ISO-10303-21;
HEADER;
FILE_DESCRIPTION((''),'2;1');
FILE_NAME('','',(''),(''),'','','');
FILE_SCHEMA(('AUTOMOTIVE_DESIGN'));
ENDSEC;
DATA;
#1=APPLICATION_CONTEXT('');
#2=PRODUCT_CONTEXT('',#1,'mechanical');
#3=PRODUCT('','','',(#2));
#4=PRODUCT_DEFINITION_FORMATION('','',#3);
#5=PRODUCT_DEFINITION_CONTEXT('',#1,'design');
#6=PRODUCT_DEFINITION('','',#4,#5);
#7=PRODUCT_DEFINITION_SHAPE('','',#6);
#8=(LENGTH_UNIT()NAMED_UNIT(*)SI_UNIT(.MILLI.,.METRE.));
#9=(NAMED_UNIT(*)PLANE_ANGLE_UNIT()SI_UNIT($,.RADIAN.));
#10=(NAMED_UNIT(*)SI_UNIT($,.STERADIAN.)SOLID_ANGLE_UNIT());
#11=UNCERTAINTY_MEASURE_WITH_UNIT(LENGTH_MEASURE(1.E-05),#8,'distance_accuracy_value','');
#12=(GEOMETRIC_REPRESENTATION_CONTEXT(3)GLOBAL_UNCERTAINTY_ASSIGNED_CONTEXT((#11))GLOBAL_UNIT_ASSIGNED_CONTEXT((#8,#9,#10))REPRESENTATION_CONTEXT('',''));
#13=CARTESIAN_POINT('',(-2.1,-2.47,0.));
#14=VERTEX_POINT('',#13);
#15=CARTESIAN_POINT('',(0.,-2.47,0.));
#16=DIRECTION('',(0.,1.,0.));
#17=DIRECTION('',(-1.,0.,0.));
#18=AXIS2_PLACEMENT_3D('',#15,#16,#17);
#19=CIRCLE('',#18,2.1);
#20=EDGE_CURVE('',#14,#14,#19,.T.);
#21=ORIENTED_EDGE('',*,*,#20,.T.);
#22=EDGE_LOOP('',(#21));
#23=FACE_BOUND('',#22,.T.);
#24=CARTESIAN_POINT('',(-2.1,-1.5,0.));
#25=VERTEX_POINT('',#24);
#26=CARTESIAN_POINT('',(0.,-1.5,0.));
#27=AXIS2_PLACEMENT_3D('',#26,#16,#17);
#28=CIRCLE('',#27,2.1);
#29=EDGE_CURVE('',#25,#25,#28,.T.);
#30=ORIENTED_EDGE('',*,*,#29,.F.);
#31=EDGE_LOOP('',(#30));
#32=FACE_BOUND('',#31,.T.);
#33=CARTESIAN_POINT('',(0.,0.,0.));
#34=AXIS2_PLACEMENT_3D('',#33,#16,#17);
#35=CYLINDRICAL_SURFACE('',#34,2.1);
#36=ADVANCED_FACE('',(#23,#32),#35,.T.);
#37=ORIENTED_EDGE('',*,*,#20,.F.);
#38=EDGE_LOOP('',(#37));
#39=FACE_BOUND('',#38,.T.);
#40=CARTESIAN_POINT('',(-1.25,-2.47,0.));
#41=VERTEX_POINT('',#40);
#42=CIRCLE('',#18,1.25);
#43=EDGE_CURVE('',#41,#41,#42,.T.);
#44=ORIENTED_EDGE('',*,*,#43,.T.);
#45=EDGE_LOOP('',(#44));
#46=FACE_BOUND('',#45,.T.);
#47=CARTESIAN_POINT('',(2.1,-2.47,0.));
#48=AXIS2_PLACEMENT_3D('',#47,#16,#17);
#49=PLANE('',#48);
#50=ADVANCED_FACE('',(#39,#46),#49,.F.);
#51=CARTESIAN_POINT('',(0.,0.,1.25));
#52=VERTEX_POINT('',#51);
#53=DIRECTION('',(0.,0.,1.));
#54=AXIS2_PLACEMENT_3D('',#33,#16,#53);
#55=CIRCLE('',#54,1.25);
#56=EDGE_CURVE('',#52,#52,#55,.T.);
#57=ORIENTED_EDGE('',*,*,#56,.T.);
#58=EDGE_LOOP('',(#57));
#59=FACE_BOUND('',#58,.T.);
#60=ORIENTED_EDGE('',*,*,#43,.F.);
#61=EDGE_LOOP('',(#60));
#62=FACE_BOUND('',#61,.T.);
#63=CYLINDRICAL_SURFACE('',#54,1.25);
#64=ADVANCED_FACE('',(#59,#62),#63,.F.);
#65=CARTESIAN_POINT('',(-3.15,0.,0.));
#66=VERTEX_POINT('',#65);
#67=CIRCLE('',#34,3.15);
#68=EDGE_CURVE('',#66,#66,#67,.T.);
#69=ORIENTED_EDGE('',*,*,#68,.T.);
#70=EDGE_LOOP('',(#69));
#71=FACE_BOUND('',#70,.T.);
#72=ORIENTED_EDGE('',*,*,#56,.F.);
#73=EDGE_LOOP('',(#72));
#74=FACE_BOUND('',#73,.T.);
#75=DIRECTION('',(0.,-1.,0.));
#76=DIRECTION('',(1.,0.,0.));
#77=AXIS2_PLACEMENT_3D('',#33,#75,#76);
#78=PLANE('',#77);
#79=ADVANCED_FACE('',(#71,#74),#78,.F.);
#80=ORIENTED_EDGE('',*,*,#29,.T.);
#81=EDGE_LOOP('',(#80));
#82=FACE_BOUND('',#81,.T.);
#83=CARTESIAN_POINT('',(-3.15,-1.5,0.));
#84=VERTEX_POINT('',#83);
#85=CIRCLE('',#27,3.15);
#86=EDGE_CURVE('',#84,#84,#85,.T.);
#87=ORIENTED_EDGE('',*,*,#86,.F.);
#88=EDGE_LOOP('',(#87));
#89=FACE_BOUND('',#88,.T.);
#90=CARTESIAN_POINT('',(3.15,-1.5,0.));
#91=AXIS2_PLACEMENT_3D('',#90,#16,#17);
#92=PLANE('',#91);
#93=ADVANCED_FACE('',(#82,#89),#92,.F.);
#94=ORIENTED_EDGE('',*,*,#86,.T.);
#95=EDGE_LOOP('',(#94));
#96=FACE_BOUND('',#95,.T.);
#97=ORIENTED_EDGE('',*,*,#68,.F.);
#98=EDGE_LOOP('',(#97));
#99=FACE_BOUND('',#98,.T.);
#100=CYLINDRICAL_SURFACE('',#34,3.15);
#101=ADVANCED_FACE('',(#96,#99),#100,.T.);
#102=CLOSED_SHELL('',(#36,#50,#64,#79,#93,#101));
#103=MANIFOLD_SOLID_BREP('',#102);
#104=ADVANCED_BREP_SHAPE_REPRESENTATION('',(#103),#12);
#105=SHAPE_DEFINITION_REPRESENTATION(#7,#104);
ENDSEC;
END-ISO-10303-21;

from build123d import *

# Parameters (mm, degrees)
TALADRO_ROSCADO_M31_D     = 2.5
TALADRO_ROSCADO_M31_DEPTH = 10
TALADRO_ROSCADO_M31_TIP   = 0.751075774


with BuildPart() as part:
    # Croquis1 → Revolución1 (revolve)
    with BuildSketch(Plane.XY):
        Polygon((0, 0), (3.15, 0), (3.15, -1.5), (2.1, -1.5), (2.1, -2.47), (0, -2.47), align=None)
    revolve(axis=Axis((0, 0, 0), (0, -1, 0)))

    # Taladro roscado M31
    with Locations(Plane(origin=(0, 0, 0), x_dir=(1, 0, 0), z_dir=(0, 1, 0))):
        with Locations((0, 0)):
            Hole(TALADRO_ROSCADO_M31_D / 2, depth=TALADRO_ROSCADO_M31_DEPTH)
            with Locations((0, 0, -(TALADRO_ROSCADO_M31_DEPTH + TALADRO_ROSCADO_M31_TIP / 2))):  # 118° drill point
                Cone(0, TALADRO_ROSCADO_M31_D / 2, TALADRO_ROSCADO_M31_TIP, mode=Mode.SUBTRACT)


solid = part.part
